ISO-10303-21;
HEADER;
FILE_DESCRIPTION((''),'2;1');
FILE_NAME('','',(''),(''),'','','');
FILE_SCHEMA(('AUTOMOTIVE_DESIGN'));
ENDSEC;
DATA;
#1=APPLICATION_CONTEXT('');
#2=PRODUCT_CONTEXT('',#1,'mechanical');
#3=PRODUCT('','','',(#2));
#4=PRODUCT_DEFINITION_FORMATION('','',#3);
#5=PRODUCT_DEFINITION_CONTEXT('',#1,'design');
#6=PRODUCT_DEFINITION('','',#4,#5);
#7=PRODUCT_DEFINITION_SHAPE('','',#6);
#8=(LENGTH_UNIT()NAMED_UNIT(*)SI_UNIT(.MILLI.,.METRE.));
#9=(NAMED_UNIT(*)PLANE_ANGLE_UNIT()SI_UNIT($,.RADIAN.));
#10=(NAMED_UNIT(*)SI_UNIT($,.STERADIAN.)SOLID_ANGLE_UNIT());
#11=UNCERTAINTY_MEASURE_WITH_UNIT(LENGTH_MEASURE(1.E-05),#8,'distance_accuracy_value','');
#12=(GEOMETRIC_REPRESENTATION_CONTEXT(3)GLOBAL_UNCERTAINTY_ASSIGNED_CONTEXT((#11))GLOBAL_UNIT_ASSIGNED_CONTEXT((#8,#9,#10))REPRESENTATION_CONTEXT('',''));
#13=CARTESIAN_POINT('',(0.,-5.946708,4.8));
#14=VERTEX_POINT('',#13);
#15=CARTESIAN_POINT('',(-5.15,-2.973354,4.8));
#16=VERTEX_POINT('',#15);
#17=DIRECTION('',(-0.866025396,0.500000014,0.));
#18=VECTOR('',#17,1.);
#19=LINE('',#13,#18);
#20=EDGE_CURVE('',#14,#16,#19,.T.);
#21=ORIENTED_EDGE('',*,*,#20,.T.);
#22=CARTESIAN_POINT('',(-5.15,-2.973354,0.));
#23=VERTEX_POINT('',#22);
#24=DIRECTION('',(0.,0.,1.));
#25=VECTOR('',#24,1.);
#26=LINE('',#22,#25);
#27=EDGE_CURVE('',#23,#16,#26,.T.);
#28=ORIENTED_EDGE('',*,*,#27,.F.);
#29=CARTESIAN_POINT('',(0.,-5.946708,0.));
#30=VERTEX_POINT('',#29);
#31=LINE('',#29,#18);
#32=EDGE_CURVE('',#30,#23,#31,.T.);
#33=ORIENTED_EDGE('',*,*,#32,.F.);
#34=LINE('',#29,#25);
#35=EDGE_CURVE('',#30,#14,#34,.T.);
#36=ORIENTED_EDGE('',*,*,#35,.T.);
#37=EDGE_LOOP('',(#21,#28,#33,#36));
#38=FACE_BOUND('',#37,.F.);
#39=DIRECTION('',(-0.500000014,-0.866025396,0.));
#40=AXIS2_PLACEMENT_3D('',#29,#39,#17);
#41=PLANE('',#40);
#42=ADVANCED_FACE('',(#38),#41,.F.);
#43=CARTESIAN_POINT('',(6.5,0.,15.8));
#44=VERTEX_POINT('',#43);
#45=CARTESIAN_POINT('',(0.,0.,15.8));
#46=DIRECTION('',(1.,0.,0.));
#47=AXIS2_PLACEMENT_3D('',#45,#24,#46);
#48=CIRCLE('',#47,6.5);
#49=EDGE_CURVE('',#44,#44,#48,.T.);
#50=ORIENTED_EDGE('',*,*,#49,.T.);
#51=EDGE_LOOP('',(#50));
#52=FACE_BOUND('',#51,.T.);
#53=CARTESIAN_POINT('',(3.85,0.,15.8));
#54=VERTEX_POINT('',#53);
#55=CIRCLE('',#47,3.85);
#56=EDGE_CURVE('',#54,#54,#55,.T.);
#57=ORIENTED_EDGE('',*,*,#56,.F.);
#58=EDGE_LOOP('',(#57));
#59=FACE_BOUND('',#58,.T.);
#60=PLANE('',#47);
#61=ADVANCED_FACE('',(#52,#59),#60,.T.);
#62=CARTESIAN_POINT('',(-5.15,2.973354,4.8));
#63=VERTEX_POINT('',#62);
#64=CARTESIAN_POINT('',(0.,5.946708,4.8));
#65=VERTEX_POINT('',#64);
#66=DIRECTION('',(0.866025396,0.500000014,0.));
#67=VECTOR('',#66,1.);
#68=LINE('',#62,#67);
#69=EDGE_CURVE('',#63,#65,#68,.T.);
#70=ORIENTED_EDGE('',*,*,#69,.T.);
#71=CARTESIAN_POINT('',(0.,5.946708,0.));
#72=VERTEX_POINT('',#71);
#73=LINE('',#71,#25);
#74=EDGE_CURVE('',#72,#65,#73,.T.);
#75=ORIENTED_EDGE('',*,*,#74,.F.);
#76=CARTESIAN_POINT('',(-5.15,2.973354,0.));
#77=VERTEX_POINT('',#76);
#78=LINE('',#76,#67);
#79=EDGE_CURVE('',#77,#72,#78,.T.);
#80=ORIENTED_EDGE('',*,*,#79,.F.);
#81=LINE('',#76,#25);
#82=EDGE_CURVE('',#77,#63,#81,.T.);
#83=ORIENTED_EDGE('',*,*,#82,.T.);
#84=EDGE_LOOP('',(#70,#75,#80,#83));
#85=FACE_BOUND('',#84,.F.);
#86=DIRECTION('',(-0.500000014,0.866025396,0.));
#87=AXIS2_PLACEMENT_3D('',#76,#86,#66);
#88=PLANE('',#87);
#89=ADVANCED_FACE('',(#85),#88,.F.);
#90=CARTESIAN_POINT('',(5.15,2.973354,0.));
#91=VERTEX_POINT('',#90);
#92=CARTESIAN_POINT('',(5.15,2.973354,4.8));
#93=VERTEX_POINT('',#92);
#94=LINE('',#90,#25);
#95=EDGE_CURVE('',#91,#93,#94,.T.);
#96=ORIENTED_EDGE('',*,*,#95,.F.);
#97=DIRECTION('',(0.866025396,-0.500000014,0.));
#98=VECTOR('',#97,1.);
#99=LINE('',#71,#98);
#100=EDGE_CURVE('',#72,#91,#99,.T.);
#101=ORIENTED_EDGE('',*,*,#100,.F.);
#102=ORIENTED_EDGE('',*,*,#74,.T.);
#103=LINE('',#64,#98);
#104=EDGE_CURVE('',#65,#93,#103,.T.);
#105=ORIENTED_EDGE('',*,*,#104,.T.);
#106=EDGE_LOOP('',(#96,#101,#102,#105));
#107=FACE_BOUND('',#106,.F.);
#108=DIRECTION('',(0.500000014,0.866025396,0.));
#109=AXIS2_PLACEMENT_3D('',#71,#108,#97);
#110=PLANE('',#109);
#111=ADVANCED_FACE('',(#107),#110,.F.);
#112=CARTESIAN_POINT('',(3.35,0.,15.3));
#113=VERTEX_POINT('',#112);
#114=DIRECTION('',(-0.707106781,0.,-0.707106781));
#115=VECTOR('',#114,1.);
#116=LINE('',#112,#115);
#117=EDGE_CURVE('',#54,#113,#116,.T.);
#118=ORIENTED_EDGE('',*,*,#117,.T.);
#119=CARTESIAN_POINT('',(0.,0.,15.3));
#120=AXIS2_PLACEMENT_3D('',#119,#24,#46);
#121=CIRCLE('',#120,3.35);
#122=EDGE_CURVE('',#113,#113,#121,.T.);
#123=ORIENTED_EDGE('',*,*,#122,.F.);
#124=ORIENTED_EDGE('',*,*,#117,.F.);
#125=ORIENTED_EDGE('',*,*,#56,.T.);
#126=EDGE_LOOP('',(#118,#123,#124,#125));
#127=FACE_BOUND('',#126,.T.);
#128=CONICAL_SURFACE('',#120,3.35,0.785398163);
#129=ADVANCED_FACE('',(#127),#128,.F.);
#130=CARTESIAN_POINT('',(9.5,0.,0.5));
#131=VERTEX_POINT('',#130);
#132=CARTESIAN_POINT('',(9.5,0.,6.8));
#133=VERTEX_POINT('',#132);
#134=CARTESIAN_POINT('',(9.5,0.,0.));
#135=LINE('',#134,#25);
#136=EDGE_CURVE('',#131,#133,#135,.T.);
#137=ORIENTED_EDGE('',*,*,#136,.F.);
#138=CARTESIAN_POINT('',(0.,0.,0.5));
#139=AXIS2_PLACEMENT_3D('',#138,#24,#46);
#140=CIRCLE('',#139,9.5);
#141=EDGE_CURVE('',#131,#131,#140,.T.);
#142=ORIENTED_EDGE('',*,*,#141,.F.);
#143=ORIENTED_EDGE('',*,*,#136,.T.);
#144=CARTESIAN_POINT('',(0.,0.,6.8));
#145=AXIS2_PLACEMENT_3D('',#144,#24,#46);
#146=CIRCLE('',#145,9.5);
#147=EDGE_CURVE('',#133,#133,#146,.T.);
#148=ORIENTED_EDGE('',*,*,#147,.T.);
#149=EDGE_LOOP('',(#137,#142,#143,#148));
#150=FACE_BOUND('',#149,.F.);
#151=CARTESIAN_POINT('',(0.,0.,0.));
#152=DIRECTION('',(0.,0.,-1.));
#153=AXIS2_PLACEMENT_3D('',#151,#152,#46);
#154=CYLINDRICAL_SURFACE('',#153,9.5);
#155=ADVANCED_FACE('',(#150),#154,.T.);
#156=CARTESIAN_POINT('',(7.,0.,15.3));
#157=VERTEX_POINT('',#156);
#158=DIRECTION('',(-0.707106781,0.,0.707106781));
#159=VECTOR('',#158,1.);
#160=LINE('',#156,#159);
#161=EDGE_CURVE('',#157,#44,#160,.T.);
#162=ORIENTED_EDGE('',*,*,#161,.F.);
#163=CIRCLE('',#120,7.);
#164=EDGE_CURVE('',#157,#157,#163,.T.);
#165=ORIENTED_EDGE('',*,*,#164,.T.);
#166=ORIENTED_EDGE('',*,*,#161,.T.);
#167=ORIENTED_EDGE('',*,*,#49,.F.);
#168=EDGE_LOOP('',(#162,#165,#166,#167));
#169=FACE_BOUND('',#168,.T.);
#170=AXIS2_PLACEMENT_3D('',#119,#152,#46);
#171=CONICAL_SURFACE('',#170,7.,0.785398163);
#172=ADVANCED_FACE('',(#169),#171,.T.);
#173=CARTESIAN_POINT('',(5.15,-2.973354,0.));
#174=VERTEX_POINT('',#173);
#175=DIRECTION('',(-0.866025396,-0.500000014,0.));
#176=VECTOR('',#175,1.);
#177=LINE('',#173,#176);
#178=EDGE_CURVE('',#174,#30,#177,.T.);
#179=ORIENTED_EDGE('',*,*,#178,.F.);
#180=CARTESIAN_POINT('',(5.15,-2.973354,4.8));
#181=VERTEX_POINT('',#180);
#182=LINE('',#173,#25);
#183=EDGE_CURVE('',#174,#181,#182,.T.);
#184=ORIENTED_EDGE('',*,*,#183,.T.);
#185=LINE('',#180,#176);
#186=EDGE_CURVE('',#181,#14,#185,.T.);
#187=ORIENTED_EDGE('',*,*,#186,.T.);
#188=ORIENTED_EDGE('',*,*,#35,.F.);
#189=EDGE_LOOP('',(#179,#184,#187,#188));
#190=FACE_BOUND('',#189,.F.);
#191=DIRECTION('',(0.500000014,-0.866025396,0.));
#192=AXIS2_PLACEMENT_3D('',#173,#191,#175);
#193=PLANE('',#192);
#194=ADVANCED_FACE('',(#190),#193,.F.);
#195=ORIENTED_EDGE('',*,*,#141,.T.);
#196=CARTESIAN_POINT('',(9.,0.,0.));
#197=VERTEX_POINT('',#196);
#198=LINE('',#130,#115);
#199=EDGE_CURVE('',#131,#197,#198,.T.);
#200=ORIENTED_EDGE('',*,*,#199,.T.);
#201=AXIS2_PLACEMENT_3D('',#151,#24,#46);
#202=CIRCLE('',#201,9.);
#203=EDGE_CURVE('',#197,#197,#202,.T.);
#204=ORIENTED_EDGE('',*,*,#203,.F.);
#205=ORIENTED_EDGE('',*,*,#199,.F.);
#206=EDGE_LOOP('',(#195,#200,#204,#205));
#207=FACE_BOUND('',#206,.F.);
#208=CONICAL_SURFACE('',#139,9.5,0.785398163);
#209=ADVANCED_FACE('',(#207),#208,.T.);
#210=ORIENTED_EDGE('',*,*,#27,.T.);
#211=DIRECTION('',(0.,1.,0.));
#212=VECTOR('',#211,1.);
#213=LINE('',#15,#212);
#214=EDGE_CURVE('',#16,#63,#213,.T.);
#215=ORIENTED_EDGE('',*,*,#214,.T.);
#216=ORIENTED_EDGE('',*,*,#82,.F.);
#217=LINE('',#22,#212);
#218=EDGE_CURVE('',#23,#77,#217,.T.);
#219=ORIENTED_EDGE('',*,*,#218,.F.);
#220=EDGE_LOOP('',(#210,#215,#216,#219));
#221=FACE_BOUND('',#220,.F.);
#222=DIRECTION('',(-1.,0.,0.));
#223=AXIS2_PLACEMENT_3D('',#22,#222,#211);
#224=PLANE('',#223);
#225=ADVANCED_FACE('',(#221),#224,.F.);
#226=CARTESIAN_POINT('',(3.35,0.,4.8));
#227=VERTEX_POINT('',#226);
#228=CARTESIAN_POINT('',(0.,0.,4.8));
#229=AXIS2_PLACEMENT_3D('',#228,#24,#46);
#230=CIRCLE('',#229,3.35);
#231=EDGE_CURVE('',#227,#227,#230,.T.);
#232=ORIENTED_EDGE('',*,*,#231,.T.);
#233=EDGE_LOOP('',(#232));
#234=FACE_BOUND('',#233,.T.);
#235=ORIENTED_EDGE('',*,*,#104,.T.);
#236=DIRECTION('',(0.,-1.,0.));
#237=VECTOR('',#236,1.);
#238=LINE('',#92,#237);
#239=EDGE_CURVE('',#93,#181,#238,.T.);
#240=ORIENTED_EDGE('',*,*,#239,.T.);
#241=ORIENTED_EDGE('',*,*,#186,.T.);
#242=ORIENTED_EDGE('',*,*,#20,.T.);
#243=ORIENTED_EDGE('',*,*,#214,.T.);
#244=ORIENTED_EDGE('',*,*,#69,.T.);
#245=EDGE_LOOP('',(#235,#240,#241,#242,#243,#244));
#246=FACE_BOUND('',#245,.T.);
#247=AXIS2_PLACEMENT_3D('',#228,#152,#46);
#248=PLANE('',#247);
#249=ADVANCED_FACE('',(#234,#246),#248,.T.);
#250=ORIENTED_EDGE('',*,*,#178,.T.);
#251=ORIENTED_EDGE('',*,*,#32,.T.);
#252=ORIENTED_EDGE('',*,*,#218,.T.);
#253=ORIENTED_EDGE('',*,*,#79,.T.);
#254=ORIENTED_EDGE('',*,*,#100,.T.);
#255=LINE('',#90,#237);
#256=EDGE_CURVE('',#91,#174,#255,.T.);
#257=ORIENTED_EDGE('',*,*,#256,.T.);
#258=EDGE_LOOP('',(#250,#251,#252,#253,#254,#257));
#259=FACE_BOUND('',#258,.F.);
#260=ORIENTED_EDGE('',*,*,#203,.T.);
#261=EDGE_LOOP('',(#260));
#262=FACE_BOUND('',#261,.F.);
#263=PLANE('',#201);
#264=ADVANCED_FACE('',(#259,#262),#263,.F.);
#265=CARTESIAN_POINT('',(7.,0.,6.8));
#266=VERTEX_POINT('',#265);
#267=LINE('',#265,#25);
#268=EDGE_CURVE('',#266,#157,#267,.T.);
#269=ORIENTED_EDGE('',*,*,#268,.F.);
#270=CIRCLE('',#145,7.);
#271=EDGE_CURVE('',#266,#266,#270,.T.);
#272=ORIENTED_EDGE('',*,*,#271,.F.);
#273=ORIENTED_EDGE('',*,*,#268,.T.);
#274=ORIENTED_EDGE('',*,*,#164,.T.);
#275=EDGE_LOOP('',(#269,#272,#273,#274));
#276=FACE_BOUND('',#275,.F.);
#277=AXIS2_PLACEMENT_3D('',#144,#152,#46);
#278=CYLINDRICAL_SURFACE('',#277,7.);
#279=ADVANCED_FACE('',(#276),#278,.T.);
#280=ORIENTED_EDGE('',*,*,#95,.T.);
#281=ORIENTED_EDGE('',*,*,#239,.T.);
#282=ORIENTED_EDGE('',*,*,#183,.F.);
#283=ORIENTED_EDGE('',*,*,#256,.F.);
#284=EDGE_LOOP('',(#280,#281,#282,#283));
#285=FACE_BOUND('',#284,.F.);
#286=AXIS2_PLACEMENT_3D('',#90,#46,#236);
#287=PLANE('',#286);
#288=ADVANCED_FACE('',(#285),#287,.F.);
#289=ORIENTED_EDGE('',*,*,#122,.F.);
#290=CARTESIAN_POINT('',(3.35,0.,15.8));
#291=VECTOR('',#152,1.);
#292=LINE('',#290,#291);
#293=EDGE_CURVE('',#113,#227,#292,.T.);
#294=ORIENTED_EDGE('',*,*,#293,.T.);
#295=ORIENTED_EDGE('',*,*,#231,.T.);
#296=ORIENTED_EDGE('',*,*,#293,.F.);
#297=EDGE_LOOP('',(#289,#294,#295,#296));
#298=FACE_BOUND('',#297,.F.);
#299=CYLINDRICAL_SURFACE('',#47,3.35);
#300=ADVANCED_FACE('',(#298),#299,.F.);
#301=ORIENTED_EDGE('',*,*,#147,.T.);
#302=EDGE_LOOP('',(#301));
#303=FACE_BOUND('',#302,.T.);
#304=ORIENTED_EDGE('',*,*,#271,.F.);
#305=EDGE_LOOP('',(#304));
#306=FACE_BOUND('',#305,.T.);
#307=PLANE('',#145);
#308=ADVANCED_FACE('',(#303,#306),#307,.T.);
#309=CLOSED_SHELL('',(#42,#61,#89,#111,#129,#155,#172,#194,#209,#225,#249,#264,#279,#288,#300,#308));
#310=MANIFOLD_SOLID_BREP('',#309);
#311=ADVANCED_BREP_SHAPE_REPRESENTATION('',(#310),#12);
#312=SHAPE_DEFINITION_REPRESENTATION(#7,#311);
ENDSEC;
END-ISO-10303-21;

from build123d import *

# Parameters (mm, degrees)
F0_R     = 9.5
F1_DEPTH = 6.8
F2_R     = 7
F3_DEPTH = 9
F5_DEPTH = 4.8
F6_R     = 3.35
F7_DEPTH = 15.801
F8_SIZE  = 0.5


with BuildPart() as f1:
    # F0 (on Top) → F1 (new body)
    with BuildSketch(Plane.XY):
        Circle(F0_R)
    extrude(amount=F1_DEPTH)

    # F2 (on face) → F3 (join)
    with BuildSketch(Plane.XY.offset(6.8)):
        Circle(F2_R)
    extrude(amount=F3_DEPTH)

    # F4 (on face) → F5 (cut)
    with BuildSketch(Plane(origin=(0, 0, 0), x_dir=(1, 0, 0), z_dir=(0, 0, -1))):
        Polygon((-5.15, -2.973354), (0, -5.946708), (5.15, -2.973354), (5.15, 2.973354), (0, 5.946708), (-5.15, 2.973354), align=None)
    extrude(amount=-F5_DEPTH, mode=Mode.SUBTRACT)

    # F6 (on face) → F7 (cut, through all)
    with BuildSketch(Plane.XY.offset(15.8)):
        Circle(F6_R)
    extrude(amount=-F7_DEPTH, mode=Mode.SUBTRACT)

    # F8
    f8_edges = [f1.edges().sort_by_distance(p)[0] for p in [
        (-7, 0, 15.8),
        (-3.35, 0, 15.8),
        (-9.5, 0, 0),
    ]]
    chamfer(f8_edges, length=F8_SIZE)


solid = f1.part
